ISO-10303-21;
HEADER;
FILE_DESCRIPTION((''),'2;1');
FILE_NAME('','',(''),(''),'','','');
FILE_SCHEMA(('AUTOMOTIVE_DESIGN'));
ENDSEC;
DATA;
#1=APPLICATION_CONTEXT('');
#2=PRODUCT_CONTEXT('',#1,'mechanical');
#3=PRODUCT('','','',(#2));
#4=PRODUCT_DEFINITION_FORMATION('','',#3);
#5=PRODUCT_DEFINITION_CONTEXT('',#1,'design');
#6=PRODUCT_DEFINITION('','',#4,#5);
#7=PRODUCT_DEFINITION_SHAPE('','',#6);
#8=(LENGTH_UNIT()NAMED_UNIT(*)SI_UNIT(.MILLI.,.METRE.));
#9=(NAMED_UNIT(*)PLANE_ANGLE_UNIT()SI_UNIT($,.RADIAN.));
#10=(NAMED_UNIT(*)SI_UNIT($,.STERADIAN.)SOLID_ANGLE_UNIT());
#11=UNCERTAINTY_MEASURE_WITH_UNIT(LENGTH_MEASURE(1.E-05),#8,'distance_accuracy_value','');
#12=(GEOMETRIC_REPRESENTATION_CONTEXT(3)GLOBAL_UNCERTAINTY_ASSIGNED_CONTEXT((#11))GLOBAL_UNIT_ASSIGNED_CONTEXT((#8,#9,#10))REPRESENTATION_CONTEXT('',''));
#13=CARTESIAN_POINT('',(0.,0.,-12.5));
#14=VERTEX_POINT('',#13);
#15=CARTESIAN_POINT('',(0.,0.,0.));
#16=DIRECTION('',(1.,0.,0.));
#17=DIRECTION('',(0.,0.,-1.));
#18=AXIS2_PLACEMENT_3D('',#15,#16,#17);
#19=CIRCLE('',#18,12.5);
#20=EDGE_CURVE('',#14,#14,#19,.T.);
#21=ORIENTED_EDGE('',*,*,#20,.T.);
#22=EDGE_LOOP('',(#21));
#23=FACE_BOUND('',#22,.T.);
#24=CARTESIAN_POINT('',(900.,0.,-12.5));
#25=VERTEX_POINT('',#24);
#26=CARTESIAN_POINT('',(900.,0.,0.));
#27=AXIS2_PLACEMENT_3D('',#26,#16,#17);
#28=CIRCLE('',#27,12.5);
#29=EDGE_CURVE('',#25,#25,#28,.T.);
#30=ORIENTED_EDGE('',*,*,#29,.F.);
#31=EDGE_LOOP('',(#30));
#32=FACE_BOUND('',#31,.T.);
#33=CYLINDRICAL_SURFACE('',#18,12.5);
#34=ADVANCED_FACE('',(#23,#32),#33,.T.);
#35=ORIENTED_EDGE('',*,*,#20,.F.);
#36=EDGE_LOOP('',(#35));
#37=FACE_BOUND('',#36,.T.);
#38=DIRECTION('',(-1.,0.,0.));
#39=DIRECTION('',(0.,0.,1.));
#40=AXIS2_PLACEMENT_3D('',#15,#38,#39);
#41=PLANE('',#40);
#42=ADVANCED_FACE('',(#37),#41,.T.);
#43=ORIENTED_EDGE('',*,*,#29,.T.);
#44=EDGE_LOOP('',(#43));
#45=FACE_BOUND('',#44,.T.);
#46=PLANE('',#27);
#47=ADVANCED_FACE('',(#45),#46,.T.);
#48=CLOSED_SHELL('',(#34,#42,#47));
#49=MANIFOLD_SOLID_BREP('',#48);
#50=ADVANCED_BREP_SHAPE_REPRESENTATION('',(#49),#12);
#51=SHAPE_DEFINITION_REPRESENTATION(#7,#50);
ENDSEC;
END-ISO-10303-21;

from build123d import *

# Parameters (mm, degrees)
SKETCH1_W = 900
SKETCH1_H = 12.5


with BuildPart() as part:
    # Sketch1 → Revolve1 (revolve)
    with BuildSketch(Plane(origin=(0, 0, 0), x_dir=(1, 0, 0), z_dir=(0, 1, 0))):
        with Locations((450, 6.25)):
            Rectangle(SKETCH1_W, SKETCH1_H)
    revolve(axis=Axis((0, 0, 0), (-1, 0, 0)))


solid = part.part
